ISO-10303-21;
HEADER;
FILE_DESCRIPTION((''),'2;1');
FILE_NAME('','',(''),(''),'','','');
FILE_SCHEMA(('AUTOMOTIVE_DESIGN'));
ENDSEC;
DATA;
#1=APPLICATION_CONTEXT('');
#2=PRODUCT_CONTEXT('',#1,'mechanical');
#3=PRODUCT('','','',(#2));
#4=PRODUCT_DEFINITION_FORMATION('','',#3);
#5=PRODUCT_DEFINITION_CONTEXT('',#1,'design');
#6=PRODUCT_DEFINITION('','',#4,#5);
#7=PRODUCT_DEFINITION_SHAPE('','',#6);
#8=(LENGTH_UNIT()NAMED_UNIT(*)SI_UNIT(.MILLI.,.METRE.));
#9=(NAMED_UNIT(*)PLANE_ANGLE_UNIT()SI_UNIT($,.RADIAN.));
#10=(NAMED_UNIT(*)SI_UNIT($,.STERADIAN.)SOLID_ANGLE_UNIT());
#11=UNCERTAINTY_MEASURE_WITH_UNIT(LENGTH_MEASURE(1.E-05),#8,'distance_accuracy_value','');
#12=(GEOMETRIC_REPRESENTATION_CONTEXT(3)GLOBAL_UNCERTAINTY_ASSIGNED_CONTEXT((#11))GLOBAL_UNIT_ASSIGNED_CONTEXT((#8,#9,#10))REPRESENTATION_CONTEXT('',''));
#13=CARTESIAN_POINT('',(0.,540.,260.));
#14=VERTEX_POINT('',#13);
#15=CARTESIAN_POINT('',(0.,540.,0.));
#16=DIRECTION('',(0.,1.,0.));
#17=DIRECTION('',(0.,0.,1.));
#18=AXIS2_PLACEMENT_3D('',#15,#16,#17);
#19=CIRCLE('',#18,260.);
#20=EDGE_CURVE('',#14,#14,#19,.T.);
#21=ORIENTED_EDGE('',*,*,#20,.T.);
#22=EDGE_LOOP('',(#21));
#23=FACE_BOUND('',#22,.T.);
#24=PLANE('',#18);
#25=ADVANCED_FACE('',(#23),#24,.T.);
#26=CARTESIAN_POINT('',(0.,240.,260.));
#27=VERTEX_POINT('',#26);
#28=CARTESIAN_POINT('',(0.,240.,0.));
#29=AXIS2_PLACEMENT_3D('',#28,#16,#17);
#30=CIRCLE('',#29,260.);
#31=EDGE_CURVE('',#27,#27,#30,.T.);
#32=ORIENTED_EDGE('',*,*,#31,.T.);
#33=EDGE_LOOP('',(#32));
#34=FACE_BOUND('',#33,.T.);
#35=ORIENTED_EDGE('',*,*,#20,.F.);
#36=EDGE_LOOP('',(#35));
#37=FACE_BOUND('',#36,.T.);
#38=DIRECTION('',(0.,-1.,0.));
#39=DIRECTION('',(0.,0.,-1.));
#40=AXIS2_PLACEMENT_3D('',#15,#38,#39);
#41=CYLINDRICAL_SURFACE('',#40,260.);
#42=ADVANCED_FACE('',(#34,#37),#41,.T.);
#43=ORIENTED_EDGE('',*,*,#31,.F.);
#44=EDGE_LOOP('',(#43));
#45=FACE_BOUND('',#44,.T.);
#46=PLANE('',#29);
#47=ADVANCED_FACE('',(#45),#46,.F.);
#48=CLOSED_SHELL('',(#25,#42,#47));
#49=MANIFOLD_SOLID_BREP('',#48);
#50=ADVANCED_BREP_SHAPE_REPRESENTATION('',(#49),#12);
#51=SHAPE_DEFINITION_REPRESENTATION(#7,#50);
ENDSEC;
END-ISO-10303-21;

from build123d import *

# Parameters (mm, degrees)
BOSS_EXTRUDE1_START = 240
SKETCH1_R           = 260
BOSS_EXTRUDE1_DEPTH = 300


with BuildPart() as part:
    # Sketch1 → Boss-Extrude1 (new body)
    with BuildSketch(Plane(origin=(0, 0, 0), x_dir=(1, 0, 0), z_dir=(0, 1, 0)).offset(BOSS_EXTRUDE1_START)):
        with Locations(Location((0, 0, 0), (0, 0, 270))):
            Circle(SKETCH1_R)
    extrude(amount=BOSS_EXTRUDE1_DEPTH)


solid = part.part
